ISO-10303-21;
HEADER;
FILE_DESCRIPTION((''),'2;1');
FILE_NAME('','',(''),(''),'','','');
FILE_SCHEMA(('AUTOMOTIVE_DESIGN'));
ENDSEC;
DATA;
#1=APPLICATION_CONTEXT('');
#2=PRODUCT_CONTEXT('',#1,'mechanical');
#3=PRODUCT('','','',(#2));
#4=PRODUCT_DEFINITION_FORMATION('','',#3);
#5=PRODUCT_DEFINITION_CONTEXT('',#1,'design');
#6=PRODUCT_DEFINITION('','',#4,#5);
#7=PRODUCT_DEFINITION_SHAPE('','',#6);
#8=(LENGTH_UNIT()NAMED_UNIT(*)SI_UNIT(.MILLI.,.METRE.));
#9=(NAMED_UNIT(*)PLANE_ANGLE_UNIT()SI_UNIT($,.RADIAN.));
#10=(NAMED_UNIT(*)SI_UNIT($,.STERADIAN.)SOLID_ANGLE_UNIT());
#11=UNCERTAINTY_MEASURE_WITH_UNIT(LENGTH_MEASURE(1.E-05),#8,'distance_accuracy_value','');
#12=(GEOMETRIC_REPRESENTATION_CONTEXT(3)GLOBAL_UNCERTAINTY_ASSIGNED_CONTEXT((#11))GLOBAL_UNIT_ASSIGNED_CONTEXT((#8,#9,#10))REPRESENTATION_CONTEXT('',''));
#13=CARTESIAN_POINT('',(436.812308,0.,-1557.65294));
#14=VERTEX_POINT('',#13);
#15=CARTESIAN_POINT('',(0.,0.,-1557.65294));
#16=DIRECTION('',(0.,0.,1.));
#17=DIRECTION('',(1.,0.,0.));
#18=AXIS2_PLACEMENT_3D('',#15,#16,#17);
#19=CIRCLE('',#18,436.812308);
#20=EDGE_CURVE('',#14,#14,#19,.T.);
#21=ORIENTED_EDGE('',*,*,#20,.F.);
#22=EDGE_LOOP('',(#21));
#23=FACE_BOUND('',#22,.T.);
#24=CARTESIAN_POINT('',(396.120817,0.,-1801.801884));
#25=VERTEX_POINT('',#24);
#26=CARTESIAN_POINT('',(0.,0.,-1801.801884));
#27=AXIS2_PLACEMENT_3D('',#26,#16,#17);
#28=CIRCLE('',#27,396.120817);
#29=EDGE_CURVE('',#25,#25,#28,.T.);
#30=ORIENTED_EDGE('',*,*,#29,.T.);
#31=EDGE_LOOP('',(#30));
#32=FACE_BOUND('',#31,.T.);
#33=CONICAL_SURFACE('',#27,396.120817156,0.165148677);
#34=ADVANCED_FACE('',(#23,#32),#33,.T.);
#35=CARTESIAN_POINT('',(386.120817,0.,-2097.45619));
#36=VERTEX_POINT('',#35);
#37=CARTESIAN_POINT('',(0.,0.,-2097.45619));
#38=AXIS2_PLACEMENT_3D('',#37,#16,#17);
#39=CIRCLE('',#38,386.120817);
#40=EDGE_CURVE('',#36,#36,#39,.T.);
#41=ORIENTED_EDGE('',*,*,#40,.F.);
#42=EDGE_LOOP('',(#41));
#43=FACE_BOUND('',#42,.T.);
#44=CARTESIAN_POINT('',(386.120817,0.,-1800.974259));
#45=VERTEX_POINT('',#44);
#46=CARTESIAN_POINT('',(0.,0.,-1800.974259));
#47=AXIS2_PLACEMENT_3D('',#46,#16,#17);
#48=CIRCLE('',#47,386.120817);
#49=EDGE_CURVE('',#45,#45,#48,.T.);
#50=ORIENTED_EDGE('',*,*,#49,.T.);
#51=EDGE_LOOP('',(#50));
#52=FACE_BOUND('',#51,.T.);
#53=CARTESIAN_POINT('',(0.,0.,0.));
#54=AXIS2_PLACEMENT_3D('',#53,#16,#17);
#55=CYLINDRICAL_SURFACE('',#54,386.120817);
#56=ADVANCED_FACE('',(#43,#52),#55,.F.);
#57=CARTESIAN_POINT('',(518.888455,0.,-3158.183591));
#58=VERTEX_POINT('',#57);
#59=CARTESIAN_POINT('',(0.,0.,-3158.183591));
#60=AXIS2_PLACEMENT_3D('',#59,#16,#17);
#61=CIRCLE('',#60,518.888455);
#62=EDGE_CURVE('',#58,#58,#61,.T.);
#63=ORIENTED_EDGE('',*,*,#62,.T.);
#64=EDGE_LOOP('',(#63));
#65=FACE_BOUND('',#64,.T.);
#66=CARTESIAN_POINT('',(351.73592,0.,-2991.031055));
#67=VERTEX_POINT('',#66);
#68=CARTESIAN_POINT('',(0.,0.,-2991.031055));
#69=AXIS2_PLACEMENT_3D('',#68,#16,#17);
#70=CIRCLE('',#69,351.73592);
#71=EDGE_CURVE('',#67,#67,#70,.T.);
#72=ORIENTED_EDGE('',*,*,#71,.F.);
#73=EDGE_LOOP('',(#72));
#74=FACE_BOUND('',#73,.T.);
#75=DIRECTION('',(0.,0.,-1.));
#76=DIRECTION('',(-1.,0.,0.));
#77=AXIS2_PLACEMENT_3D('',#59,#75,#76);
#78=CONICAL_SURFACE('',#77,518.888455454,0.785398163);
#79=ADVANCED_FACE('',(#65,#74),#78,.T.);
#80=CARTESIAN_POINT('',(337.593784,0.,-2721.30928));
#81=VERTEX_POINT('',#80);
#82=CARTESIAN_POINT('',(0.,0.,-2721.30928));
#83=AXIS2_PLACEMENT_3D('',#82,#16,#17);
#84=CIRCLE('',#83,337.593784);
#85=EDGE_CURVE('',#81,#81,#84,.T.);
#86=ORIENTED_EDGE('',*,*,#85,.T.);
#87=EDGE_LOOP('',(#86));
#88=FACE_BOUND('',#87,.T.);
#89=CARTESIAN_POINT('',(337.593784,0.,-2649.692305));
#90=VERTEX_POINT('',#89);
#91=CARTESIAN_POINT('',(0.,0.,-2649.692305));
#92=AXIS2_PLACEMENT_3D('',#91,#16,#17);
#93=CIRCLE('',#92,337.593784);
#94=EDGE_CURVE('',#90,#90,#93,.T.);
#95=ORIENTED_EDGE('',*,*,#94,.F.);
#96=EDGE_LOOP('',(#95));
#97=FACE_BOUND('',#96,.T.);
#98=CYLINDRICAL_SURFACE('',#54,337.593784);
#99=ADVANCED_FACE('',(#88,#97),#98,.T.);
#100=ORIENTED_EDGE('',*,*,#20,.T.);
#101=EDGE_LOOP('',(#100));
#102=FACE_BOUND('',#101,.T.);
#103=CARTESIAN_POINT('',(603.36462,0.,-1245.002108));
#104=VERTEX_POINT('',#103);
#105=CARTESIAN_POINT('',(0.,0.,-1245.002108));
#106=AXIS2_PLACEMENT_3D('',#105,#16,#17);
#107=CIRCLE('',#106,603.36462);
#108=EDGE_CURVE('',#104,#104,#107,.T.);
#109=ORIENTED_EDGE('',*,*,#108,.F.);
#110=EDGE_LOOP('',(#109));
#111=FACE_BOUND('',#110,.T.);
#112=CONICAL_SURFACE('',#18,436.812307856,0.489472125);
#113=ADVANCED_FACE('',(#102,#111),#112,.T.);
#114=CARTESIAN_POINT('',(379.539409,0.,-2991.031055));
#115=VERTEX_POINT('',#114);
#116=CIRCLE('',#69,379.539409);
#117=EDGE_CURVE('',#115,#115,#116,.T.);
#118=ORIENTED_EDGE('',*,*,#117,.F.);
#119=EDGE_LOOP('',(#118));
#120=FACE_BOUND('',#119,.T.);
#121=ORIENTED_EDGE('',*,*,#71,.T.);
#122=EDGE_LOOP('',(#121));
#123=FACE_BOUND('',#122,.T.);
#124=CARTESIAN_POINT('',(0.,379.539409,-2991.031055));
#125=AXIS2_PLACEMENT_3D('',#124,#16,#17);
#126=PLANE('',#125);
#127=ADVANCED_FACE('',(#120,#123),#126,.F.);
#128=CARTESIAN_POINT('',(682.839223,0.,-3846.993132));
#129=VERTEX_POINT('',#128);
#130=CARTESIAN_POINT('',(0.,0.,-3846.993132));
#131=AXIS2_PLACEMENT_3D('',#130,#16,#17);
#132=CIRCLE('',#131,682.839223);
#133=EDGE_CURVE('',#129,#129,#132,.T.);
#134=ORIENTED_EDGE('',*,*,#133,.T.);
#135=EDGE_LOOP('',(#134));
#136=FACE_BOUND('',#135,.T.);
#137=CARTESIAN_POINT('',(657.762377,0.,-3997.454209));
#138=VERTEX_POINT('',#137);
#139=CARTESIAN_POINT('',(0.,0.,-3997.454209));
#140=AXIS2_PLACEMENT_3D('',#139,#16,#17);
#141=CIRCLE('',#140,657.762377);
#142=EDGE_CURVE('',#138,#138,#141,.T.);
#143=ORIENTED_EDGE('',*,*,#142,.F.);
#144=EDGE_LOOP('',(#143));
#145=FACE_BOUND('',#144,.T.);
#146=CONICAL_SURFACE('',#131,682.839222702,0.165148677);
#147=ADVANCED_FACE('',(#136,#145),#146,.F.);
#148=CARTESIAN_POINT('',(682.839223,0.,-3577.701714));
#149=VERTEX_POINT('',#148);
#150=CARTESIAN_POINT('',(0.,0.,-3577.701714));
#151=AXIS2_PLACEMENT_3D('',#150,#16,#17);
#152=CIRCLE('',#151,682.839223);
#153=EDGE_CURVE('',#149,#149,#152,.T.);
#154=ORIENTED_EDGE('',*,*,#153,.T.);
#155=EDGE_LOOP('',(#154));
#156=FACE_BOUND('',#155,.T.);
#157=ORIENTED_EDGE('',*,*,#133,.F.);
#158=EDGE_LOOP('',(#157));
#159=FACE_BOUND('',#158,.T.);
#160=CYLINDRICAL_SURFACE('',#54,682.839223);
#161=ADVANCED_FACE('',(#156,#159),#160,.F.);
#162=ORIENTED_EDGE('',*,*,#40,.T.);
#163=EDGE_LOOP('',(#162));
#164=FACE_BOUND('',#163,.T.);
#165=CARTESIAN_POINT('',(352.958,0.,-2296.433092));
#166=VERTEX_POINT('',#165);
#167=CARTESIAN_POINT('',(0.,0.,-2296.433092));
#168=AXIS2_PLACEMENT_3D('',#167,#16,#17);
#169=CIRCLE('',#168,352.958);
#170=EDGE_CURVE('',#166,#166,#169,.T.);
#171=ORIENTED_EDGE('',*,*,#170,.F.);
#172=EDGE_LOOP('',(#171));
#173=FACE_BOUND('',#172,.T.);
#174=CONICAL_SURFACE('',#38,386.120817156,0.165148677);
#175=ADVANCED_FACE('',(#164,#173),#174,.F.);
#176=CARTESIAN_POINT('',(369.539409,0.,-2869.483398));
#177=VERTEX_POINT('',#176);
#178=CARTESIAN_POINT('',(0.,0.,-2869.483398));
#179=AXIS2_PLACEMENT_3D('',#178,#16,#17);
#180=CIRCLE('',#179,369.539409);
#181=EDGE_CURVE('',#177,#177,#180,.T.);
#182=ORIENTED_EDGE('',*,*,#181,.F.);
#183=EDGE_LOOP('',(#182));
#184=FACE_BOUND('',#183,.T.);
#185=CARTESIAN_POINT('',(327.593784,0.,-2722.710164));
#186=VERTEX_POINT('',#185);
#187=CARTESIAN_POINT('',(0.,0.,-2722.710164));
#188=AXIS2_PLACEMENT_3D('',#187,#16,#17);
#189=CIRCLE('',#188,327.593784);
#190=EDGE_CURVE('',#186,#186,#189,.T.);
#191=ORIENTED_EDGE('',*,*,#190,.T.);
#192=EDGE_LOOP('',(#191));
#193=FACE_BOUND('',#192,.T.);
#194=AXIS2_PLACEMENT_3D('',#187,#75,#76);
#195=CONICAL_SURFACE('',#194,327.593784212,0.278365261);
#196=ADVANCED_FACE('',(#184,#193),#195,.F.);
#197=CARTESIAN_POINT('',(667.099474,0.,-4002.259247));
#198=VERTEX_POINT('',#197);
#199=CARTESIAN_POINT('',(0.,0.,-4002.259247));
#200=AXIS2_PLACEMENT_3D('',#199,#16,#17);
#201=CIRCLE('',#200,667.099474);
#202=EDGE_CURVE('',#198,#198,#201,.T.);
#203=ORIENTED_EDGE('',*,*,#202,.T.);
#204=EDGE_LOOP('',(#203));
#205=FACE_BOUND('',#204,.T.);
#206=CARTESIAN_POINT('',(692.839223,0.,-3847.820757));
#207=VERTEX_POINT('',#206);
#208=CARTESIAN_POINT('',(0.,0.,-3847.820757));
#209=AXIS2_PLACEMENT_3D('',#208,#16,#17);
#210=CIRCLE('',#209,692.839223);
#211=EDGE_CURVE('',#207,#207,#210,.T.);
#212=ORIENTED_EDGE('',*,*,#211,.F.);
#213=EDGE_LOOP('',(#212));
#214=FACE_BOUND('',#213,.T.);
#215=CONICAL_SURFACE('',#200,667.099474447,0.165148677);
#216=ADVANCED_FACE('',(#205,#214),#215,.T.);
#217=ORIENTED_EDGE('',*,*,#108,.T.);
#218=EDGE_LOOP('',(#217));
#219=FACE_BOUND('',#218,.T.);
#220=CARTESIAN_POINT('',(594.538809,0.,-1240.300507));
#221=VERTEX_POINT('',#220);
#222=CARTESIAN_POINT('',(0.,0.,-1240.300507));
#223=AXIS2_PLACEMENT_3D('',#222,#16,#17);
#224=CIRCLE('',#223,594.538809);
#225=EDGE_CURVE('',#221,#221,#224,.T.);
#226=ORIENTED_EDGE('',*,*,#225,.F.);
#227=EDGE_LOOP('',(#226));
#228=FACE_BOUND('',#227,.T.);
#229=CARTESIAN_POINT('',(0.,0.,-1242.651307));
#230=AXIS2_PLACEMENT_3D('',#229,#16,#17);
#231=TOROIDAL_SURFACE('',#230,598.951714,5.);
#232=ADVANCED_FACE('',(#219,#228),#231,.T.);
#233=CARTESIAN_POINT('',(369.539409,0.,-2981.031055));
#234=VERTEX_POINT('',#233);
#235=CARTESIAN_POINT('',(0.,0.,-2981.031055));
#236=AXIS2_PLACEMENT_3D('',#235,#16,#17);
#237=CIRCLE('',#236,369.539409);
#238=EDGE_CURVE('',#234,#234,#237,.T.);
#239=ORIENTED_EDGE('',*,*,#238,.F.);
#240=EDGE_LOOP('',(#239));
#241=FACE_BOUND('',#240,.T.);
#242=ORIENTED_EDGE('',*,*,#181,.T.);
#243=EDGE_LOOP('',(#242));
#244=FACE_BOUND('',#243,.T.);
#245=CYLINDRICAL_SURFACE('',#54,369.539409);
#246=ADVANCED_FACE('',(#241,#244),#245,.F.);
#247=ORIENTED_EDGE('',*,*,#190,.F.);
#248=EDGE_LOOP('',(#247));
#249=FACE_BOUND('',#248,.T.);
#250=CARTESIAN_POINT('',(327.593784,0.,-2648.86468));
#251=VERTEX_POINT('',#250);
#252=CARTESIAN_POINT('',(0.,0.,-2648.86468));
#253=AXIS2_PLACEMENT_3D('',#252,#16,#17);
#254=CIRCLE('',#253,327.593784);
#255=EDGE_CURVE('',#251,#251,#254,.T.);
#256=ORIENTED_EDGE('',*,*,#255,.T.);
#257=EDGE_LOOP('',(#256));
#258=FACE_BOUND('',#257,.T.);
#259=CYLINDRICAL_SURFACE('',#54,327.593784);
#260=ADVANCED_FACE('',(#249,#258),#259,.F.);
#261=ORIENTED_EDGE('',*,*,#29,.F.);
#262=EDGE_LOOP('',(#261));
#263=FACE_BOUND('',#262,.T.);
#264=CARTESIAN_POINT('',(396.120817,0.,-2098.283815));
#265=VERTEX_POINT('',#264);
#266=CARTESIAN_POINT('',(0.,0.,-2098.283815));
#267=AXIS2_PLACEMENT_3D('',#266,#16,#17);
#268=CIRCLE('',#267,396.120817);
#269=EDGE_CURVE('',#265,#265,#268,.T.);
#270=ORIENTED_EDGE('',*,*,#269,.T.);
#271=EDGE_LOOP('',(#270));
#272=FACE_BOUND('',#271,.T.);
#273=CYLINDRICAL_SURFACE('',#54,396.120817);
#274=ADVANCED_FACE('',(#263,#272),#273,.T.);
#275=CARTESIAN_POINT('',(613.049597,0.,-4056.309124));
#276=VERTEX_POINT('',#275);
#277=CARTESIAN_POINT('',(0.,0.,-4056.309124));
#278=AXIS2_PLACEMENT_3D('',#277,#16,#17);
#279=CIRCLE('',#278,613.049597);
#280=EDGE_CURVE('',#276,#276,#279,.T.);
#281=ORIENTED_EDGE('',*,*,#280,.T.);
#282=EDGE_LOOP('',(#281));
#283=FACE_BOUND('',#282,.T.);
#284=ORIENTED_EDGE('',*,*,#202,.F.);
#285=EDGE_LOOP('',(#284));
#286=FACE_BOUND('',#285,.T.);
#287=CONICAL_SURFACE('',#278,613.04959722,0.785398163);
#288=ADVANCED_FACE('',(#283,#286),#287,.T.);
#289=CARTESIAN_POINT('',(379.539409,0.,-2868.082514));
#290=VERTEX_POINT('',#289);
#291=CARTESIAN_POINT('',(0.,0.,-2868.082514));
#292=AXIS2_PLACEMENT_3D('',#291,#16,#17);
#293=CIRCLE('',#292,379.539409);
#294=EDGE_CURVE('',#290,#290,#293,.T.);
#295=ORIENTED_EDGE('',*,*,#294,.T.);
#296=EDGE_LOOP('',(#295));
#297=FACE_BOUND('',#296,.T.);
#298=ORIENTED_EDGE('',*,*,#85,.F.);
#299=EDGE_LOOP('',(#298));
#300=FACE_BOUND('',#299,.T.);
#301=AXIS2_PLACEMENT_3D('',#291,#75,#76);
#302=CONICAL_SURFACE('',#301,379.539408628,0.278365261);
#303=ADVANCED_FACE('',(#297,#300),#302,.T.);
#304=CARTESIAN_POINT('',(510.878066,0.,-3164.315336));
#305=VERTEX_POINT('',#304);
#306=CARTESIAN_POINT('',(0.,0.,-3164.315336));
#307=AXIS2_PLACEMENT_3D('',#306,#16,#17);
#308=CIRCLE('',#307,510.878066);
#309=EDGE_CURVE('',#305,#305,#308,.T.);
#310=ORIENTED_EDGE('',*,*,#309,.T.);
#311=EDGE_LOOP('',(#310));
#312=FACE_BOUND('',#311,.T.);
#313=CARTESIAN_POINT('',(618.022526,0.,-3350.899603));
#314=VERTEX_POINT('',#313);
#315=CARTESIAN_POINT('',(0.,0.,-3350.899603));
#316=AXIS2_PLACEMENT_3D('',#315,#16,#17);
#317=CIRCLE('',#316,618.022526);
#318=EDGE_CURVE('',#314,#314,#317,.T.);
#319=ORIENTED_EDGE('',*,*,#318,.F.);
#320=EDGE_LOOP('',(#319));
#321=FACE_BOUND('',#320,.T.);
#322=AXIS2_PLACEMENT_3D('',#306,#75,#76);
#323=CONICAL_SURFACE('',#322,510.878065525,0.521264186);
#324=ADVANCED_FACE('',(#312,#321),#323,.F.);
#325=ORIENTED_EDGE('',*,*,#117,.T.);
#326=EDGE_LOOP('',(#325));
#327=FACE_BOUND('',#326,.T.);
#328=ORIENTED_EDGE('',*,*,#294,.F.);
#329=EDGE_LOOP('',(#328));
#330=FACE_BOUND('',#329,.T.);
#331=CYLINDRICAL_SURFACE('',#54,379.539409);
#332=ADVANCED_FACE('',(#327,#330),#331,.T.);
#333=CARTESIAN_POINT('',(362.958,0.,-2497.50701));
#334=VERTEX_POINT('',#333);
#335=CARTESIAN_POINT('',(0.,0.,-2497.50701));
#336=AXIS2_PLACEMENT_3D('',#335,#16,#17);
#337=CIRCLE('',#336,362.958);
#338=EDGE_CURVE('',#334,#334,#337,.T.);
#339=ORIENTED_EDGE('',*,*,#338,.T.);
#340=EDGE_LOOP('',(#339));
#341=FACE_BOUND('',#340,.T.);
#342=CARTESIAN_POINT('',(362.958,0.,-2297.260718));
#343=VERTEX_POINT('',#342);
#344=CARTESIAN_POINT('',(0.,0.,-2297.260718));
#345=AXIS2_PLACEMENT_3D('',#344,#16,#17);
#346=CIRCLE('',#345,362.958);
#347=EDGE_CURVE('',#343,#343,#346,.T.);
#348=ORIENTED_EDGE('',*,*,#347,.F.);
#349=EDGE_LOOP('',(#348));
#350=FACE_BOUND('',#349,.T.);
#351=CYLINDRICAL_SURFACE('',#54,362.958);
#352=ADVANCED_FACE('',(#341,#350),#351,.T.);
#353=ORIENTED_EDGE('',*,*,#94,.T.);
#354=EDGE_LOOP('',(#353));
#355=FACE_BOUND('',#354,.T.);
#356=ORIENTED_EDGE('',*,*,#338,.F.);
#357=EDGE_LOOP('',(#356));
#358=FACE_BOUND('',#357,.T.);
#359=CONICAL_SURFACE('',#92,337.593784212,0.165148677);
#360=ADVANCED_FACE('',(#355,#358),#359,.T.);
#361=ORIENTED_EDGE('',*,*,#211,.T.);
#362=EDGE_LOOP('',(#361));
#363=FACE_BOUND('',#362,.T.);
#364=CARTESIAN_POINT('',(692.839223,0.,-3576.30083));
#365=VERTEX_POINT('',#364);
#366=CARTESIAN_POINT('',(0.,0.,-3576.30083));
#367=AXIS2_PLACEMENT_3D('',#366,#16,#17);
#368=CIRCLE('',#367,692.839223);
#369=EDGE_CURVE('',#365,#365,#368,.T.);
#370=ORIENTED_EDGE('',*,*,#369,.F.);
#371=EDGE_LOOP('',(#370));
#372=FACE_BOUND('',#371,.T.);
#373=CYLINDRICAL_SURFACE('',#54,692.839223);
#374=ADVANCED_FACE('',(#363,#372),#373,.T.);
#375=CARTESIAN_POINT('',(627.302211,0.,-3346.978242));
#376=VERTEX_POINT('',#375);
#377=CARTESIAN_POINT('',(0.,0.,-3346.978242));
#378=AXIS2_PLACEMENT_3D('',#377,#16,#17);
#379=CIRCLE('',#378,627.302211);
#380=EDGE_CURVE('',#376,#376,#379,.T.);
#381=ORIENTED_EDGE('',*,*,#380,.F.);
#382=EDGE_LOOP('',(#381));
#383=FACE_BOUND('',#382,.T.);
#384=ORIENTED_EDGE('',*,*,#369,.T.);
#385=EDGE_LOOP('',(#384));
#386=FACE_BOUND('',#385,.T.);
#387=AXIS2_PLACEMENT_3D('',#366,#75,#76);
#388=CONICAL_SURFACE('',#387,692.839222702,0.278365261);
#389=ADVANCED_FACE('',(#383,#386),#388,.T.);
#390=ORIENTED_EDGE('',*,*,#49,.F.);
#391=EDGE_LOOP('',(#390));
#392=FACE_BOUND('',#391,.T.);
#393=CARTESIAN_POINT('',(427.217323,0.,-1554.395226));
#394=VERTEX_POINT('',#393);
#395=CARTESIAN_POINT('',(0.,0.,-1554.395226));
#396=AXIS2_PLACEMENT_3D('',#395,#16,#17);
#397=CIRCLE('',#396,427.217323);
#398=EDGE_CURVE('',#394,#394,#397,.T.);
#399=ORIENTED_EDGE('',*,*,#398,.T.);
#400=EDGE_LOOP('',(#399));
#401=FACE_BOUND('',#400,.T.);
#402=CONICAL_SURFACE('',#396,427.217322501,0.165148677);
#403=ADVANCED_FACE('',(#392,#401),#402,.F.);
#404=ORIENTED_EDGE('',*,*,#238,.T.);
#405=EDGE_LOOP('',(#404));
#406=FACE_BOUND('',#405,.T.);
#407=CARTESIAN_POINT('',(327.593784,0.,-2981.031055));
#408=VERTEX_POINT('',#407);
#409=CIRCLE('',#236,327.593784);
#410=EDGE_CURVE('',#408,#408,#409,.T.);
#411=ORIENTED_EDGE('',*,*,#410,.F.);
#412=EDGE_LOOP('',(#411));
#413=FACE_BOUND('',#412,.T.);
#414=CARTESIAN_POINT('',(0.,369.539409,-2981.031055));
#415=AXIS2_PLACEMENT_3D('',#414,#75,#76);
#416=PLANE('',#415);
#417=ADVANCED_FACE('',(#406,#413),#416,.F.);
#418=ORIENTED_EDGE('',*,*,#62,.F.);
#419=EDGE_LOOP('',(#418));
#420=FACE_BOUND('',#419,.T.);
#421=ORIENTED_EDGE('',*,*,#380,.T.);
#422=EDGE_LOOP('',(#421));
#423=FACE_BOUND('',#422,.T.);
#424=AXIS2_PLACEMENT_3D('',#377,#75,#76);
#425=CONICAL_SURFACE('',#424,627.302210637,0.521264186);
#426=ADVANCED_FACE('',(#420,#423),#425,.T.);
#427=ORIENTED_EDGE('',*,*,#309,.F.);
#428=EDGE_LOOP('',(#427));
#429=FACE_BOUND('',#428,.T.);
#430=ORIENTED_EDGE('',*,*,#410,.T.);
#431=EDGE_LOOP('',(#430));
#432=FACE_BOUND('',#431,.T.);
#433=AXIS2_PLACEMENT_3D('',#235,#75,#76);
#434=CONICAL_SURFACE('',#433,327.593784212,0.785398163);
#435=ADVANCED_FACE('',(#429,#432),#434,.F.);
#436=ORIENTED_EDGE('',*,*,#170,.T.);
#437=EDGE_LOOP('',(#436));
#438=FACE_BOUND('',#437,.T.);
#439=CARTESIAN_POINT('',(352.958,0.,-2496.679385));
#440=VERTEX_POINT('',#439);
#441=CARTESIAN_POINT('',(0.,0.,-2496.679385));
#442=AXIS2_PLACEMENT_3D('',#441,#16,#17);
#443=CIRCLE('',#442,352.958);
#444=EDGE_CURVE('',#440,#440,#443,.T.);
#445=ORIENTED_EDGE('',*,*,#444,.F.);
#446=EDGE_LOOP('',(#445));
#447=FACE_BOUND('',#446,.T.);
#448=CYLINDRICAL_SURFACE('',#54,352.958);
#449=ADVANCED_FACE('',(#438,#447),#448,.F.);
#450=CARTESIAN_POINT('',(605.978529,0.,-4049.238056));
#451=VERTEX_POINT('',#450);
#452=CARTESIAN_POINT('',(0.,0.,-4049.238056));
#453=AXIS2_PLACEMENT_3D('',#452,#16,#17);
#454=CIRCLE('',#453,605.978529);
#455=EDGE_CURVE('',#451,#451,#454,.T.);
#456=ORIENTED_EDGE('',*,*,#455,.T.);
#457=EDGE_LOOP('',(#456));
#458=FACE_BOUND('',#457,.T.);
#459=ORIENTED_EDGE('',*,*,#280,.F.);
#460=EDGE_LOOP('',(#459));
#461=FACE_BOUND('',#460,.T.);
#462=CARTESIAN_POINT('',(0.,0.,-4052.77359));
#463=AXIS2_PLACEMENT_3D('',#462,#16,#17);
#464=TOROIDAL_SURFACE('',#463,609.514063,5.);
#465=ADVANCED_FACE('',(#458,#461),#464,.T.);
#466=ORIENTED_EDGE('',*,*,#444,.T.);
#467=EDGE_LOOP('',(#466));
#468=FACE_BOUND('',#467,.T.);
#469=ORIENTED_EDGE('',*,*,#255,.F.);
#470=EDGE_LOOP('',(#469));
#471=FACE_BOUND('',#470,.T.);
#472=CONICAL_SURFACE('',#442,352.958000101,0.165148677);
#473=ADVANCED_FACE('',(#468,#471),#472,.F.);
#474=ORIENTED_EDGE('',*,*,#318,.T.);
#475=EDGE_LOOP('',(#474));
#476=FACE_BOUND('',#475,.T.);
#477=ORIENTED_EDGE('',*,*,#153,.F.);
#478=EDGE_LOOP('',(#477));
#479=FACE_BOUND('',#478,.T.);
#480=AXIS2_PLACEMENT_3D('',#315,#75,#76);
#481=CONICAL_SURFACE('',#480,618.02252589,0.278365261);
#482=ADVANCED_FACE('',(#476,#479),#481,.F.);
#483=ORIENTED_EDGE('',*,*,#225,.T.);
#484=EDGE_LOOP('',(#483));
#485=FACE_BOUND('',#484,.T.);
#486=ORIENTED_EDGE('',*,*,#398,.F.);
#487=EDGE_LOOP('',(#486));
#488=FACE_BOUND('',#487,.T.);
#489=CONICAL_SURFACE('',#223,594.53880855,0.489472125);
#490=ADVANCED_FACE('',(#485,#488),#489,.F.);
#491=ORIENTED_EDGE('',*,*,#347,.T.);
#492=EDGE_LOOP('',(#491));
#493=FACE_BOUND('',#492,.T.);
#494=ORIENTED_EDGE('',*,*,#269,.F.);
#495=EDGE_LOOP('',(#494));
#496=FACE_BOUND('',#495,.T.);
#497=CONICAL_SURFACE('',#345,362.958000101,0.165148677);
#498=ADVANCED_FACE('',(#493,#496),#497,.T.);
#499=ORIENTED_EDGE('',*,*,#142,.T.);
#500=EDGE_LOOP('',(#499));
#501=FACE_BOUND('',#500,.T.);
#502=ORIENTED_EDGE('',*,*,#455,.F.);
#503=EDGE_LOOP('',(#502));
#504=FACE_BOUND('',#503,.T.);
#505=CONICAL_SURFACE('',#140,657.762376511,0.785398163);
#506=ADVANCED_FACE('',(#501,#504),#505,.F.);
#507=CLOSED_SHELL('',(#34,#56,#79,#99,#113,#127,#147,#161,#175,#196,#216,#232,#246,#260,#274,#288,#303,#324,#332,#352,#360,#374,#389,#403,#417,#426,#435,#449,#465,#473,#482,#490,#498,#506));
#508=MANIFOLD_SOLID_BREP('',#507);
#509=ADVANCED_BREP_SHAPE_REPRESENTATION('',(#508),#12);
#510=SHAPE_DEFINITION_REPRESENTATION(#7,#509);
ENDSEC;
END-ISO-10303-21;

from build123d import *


with BuildPart() as part:
    # Sketch4 → Revolve4 (revolve)
    with BuildSketch(Plane(origin=(0, 0, 0), x_dir=(0, 0, -1), z_dir=(1, 0, 0))):
        with BuildLine():
            Line((1240.300507045, 594.53880855), (1554.39522647, 427.217322501))
            Line((1554.39522647, 427.217322501), (1800.974258542, 386.120817156))
            Line((1800.974258542, 386.120817156), (2097.456189961, 386.120817156))
            Line((2097.456189961, 386.120817156), (2296.433092289, 352.958000101))
            Line((2296.433092289, 352.958000101), (2496.679384744, 352.958000101))
            Line((2496.679384744, 352.958000101), (2648.864680078, 327.593784212))
            Line((2648.864680078, 327.593784212), (2722.710164143, 327.593784212))
            Line((2722.710164143, 327.593784212), (2869.483397519, 369.539408628))
            Line((2869.483397519, 369.539408628), (2981.031054885, 369.539408628))
            Line((2981.031054885, 369.539408628), (2981.031054885, 327.593784212))
            Line((2981.031054885, 327.593784212), (3164.315336198, 510.878065525))
            Line((3164.315336198, 510.878065525), (3350.899602992, 618.02252589))
            Line((3350.899602992, 618.02252589), (3577.701714063, 682.839222702))
            Line((3577.701714063, 682.839222702), (3846.993131803, 682.839222702))
            Line((3846.993131803, 682.839222702), (3997.454208948, 657.762376511))
            Line((3997.454208948, 657.762376511), (4049.238056051, 605.978529409))
            ThreePointArc((4049.238056051, 605.978529409), (4056.309123863, 605.978529409), (4056.309123863, 613.04959722))
            Line((4056.309123863, 613.04959722), (4002.259246636, 667.099474447))
            Line((4002.259246636, 667.099474447), (3847.820757106, 692.839222702))
            Line((3847.820757106, 692.839222702), (3576.30083017, 692.839222702))
            Line((3576.30083017, 692.839222702), (3346.978241691, 627.302210637))
            Line((3346.978241691, 627.302210637), (3158.183590503, 518.888455454))
            Line((3158.183590503, 518.888455454), (2991.031054885, 351.735919836))
            Line((2991.031054885, 351.735919836), (2991.031054885, 379.539408628))
            Line((2991.031054885, 379.539408628), (2868.082513625, 379.539408628))
            Line((2868.082513625, 379.539408628), (2721.309280249, 337.593784212))
            Line((2721.309280249, 337.593784212), (2649.692305381, 337.593784212))
            Line((2649.692305381, 337.593784212), (2497.507010047, 362.958000101))
            Line((2497.507010047, 362.958000101), (2297.260717592, 362.958000101))
            Line((2297.260717592, 362.958000101), (2098.283815264, 396.120817156))
            Line((2098.283815264, 396.120817156), (1801.801883845, 396.120817156))
            Line((1801.801883845, 396.120817156), (1557.652939644, 436.812307856))
            Line((1557.652939644, 436.812307856), (1245.002107656, 603.364620223))
            ThreePointArc((1245.002107656, 603.364620223), (1238.238401514, 601.302514692), (1240.300507045, 594.53880855))
        make_face()
    revolve(axis=Axis((0, 0, 0), (0, 0, -1)))


solid = part.part
